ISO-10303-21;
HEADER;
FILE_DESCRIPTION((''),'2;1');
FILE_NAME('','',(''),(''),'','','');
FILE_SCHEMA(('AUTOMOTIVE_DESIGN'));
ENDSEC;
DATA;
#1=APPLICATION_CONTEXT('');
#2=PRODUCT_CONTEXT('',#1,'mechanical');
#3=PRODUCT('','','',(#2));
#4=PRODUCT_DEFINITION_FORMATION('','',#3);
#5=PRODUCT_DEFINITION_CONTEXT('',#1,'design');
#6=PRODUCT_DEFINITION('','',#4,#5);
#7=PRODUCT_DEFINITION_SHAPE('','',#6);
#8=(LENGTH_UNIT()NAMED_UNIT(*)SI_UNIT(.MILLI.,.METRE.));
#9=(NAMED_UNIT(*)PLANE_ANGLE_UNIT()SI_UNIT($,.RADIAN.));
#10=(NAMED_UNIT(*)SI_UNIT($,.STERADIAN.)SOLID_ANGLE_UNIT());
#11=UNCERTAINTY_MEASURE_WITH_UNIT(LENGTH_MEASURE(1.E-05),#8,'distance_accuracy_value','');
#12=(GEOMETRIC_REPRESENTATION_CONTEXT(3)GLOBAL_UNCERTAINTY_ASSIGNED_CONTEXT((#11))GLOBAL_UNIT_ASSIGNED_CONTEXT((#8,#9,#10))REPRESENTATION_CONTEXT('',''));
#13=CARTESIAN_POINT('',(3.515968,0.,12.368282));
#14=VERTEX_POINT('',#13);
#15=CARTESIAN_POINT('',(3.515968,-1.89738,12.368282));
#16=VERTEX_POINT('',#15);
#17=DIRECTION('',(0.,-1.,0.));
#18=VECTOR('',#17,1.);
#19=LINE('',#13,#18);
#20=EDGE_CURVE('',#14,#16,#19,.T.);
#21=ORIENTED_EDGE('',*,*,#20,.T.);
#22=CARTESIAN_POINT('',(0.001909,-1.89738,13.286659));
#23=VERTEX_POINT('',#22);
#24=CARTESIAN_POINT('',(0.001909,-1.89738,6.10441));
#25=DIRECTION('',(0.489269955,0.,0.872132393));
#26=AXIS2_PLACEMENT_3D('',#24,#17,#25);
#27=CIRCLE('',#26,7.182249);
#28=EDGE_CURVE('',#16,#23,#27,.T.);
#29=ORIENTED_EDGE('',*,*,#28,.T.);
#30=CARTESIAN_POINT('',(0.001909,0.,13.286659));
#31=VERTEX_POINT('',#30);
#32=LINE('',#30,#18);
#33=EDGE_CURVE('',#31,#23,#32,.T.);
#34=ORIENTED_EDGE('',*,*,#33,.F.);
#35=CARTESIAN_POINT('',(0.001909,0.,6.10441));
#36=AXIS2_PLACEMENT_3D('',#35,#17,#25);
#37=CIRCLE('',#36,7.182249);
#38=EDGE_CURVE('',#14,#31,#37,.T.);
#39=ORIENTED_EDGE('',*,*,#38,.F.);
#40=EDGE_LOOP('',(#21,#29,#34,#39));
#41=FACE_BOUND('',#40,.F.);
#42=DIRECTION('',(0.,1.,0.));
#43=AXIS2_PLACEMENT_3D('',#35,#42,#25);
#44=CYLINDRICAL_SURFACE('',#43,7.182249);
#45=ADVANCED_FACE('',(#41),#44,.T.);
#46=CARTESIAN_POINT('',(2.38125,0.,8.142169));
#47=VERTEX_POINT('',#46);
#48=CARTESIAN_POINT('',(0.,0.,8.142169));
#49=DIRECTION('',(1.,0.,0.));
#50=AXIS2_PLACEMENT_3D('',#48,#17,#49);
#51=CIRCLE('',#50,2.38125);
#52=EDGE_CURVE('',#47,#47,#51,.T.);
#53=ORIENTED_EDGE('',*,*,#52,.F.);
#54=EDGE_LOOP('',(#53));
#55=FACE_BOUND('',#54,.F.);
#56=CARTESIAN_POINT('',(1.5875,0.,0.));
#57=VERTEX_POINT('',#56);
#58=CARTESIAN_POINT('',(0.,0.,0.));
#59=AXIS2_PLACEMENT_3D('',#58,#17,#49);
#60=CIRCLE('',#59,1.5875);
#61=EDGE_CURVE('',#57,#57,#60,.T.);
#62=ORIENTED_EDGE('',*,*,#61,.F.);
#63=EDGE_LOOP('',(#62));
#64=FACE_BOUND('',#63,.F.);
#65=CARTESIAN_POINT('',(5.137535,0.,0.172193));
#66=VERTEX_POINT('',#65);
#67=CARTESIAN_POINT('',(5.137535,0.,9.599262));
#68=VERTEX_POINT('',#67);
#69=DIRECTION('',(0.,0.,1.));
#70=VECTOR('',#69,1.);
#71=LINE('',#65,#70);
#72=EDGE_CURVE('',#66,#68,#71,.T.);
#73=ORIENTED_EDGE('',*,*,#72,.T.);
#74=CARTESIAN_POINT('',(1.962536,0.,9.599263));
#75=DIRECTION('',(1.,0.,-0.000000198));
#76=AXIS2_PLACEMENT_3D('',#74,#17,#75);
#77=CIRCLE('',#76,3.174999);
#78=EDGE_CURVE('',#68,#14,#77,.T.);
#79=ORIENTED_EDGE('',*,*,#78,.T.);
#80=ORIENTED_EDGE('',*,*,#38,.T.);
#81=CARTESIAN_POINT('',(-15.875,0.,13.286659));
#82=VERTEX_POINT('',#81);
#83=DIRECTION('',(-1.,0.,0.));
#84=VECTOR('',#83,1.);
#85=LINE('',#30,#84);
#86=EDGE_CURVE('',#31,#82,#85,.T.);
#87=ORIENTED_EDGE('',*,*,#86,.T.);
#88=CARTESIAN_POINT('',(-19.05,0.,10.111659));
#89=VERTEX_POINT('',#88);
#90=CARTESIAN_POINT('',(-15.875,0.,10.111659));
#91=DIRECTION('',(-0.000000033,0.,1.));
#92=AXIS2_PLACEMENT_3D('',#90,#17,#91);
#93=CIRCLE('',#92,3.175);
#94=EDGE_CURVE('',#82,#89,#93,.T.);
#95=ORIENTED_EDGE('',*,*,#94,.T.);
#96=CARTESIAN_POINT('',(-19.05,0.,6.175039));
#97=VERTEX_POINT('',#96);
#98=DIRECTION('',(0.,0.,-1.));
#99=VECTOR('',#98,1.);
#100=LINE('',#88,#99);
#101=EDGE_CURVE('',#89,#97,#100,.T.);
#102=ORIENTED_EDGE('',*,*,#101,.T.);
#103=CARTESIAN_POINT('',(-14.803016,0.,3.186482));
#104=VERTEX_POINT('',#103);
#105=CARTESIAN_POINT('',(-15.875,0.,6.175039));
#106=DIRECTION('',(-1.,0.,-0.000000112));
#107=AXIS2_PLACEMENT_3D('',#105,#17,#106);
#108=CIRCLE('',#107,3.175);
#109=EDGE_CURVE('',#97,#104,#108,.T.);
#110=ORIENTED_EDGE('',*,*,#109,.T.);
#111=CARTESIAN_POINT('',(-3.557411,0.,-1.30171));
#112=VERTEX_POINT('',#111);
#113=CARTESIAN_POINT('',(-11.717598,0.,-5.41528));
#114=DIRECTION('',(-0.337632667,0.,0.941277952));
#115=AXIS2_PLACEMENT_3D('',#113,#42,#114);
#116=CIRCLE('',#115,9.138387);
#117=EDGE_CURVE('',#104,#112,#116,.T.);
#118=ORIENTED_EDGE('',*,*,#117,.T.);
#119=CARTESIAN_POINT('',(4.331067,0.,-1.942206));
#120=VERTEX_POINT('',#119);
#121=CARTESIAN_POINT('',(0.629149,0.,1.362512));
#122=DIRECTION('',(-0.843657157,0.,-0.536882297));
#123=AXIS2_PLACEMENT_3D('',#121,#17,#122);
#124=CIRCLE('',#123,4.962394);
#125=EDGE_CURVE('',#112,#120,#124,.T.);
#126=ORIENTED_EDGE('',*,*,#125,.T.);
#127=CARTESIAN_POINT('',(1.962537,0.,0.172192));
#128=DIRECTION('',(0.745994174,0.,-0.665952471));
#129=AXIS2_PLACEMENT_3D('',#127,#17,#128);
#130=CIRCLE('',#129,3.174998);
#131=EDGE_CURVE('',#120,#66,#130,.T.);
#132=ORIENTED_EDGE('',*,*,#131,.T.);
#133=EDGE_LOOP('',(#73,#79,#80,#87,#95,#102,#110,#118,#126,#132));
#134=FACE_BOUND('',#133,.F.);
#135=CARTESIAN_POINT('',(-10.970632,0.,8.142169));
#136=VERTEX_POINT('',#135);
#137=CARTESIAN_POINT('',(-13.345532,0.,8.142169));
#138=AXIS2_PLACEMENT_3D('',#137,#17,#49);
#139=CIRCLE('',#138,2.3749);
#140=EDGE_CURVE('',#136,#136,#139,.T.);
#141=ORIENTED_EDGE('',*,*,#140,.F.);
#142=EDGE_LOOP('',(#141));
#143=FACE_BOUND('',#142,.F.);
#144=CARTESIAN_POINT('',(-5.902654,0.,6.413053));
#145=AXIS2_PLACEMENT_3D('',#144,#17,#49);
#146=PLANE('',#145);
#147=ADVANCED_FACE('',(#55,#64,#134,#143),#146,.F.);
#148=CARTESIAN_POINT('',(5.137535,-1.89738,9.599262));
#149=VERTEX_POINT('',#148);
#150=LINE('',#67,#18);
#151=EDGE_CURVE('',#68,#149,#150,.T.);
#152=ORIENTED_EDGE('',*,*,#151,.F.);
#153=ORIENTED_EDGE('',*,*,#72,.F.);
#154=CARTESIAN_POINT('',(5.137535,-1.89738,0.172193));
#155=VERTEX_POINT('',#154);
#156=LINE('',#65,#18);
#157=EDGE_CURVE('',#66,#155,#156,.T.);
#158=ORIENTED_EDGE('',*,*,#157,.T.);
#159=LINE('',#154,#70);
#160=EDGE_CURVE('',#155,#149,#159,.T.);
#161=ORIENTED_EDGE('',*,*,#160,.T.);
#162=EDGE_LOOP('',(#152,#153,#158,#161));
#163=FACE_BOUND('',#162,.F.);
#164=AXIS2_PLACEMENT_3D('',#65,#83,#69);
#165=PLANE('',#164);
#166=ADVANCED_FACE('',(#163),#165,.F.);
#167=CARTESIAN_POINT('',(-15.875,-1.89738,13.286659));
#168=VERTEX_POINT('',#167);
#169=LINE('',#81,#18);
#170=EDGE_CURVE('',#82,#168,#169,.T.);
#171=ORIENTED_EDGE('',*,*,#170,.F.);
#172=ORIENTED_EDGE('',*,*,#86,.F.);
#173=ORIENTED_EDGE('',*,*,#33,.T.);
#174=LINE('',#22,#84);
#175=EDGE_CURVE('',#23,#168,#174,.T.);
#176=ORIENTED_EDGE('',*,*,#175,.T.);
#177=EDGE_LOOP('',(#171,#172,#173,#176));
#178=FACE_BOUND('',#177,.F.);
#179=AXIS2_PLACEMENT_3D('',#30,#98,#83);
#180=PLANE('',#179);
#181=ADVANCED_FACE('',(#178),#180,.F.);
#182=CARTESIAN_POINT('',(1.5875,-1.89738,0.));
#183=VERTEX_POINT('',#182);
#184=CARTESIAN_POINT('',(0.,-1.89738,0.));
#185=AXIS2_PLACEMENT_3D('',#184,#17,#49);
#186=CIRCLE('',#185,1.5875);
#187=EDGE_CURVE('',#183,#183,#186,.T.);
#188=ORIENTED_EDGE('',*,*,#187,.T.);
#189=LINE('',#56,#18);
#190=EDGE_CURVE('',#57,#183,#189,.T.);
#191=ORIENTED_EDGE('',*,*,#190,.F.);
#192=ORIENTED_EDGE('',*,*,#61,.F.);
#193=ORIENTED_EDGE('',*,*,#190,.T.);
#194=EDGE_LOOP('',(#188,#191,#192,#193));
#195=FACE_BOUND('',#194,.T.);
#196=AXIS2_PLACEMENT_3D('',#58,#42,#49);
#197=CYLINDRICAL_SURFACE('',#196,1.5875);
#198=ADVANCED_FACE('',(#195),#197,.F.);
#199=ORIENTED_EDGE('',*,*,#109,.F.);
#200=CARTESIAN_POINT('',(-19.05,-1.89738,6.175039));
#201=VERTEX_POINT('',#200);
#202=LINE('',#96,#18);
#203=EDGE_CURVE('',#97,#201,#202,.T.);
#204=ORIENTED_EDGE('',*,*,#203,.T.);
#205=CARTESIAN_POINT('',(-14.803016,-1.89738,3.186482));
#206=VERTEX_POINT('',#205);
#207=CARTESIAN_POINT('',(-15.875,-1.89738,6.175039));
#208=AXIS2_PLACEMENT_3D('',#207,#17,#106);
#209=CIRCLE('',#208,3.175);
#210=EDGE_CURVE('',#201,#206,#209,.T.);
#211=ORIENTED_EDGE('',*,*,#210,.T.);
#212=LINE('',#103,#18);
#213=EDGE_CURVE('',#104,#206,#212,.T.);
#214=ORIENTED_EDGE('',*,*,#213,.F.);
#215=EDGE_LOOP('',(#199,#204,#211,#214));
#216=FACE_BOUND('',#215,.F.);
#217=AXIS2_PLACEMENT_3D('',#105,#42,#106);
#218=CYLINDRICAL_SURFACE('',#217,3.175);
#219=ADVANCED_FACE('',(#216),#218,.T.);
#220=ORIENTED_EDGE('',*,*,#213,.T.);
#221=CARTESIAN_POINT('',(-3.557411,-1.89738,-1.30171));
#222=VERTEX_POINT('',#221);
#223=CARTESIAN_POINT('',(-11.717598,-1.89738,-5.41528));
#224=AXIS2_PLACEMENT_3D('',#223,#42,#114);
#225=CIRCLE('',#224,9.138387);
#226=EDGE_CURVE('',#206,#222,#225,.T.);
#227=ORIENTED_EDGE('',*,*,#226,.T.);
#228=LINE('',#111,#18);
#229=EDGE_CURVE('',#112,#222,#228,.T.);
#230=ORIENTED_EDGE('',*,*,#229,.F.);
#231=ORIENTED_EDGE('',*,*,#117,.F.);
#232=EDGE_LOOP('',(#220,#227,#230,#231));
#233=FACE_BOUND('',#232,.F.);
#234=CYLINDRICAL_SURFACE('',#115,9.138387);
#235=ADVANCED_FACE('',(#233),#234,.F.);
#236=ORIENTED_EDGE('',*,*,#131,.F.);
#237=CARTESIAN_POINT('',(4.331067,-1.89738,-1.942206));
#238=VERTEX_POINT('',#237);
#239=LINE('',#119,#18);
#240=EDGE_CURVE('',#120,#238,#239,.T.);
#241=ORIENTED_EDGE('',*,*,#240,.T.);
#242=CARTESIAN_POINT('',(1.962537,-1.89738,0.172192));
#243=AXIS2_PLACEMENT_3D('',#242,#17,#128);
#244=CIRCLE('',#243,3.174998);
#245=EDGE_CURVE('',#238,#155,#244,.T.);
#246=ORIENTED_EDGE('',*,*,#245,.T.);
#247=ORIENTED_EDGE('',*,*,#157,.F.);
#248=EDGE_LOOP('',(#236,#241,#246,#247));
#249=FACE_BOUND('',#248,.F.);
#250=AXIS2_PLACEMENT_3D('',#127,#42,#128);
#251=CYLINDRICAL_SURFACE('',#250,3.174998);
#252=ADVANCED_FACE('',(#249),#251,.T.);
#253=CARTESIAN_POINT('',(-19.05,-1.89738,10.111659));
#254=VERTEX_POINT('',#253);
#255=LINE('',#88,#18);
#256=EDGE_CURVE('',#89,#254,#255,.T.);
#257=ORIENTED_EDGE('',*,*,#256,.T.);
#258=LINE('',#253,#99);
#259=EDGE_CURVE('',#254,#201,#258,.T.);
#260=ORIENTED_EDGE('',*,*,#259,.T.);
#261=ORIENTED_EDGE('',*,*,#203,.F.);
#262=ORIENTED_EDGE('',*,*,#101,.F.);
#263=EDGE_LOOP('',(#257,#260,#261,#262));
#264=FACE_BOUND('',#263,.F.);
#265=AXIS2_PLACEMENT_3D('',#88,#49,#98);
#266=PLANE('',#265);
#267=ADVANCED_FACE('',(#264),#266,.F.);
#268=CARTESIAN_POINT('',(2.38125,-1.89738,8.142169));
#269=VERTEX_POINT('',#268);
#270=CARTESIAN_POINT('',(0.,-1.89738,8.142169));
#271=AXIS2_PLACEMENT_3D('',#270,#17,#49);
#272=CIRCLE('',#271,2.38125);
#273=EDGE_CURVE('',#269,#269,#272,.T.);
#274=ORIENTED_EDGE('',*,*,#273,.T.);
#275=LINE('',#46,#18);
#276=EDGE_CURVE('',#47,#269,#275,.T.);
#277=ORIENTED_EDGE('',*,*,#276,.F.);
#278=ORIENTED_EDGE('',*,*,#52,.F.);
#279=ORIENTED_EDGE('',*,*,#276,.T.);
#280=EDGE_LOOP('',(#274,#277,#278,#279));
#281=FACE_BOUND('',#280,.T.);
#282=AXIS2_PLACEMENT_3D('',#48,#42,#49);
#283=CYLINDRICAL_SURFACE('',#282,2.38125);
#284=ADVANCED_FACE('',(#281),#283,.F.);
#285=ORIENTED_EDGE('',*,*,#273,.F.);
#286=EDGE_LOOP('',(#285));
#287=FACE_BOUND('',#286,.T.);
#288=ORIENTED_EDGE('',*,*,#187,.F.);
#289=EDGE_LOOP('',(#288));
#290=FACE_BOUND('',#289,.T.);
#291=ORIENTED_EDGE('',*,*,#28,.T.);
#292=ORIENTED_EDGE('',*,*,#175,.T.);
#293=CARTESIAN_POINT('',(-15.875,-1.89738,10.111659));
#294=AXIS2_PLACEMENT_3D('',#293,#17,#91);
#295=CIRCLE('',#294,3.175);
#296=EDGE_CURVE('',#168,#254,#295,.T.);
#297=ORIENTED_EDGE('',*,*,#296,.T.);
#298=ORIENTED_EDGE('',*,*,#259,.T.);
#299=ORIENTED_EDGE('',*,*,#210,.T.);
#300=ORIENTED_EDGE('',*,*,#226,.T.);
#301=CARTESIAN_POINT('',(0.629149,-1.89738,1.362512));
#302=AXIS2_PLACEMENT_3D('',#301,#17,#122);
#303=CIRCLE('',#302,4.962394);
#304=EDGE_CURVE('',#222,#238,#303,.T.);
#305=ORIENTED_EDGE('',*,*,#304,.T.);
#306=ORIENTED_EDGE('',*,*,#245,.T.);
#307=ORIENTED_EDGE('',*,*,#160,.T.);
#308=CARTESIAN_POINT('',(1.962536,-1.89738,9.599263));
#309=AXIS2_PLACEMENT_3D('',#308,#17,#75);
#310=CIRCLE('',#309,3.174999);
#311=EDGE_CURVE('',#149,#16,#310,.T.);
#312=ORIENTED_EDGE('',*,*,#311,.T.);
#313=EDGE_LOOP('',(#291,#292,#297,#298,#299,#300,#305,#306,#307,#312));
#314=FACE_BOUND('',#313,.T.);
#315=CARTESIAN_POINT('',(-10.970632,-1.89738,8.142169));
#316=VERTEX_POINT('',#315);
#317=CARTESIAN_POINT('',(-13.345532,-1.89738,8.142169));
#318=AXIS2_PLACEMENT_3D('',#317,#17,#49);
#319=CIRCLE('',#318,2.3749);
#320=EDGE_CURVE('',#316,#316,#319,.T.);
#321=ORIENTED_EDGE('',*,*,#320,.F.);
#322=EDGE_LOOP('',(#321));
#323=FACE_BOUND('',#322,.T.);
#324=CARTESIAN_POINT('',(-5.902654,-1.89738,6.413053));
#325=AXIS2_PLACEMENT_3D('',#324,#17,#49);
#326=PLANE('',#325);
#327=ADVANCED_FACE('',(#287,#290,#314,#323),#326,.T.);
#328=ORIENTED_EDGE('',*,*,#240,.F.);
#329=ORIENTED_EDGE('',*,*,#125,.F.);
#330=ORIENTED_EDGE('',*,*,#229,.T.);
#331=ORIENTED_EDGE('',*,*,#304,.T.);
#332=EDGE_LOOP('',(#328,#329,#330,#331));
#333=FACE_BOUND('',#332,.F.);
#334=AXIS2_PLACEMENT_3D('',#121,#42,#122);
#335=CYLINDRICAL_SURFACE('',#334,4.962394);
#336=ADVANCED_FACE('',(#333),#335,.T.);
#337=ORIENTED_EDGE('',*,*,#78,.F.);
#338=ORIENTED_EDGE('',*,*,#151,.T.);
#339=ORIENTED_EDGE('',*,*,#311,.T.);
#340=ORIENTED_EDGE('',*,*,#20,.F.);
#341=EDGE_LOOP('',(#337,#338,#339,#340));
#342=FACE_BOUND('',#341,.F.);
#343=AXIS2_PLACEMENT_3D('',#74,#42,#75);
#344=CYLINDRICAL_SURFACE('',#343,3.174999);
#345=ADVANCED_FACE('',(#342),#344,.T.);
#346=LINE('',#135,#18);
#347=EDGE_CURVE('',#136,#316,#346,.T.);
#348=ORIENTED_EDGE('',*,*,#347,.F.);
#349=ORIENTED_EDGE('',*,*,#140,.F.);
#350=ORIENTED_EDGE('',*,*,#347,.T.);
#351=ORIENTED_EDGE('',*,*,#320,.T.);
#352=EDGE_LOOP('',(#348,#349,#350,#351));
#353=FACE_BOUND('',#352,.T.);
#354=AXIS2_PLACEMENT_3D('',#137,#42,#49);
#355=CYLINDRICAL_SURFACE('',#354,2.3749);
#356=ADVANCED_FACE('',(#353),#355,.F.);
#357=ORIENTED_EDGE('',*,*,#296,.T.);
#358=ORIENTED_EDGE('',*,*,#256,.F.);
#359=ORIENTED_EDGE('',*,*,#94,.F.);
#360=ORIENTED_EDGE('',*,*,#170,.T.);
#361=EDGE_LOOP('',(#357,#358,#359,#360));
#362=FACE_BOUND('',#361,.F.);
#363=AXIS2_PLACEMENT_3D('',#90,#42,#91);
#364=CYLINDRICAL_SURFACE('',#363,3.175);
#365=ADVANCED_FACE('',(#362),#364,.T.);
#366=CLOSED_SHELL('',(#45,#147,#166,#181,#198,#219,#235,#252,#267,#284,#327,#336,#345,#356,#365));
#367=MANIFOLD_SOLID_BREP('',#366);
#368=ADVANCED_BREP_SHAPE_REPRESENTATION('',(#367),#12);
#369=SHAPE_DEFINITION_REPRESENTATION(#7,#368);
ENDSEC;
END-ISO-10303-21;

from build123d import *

# Parameters (mm, degrees)
F0_R     = 1.5875
F0_R_2   = 2.3749
F0_R_3   = 2.38125
F1_DEPTH = 1.89738


with BuildPart() as f1:
    # F0 (on Front) → F1 (new body)
    with BuildSketch(Plane.XZ):
        with BuildLine():
            ThreePointArc((3.515968, 12.368282), (1.81795, 13.053273), (0.001909, 13.286659))
            Line((0.001909, 13.286659), (-15.875, 13.286659))
            ThreePointArc((-15.875, 13.286659), (-18.120064, 12.356723), (-19.05, 10.111659))
            Line((-19.05, 10.111659), (-19.05, 6.175039))
            ThreePointArc((-19.05, 6.175039), (-17.702166, 3.578486), (-14.803016, 3.186482))
            ThreePointArc((-14.803016, 3.186482), (-8.330226, 3.072112), (-3.557411, -1.30171))
            ThreePointArc((-3.557411, -1.30171), (0.227554, -3.583606), (4.331067, -1.942206))
            ThreePointArc((4.331067, -1.942206), (4.929075, -0.959296), (5.137535, 0.172193))
            Line((5.137535, 0.172193), (5.137535, 9.599262))
            ThreePointArc((5.137535, 9.599262), (4.702314, 11.203705), (3.515968, 12.368282))
        make_face()
        Circle(F0_R, mode=Mode.SUBTRACT)
        with Locations((-13.345532, 8.142169)):
            Circle(F0_R_2, mode=Mode.SUBTRACT)
        with Locations((0, 8.142169)):
            Circle(F0_R_3, mode=Mode.SUBTRACT)
    extrude(amount=F1_DEPTH)


solid = f1.part
